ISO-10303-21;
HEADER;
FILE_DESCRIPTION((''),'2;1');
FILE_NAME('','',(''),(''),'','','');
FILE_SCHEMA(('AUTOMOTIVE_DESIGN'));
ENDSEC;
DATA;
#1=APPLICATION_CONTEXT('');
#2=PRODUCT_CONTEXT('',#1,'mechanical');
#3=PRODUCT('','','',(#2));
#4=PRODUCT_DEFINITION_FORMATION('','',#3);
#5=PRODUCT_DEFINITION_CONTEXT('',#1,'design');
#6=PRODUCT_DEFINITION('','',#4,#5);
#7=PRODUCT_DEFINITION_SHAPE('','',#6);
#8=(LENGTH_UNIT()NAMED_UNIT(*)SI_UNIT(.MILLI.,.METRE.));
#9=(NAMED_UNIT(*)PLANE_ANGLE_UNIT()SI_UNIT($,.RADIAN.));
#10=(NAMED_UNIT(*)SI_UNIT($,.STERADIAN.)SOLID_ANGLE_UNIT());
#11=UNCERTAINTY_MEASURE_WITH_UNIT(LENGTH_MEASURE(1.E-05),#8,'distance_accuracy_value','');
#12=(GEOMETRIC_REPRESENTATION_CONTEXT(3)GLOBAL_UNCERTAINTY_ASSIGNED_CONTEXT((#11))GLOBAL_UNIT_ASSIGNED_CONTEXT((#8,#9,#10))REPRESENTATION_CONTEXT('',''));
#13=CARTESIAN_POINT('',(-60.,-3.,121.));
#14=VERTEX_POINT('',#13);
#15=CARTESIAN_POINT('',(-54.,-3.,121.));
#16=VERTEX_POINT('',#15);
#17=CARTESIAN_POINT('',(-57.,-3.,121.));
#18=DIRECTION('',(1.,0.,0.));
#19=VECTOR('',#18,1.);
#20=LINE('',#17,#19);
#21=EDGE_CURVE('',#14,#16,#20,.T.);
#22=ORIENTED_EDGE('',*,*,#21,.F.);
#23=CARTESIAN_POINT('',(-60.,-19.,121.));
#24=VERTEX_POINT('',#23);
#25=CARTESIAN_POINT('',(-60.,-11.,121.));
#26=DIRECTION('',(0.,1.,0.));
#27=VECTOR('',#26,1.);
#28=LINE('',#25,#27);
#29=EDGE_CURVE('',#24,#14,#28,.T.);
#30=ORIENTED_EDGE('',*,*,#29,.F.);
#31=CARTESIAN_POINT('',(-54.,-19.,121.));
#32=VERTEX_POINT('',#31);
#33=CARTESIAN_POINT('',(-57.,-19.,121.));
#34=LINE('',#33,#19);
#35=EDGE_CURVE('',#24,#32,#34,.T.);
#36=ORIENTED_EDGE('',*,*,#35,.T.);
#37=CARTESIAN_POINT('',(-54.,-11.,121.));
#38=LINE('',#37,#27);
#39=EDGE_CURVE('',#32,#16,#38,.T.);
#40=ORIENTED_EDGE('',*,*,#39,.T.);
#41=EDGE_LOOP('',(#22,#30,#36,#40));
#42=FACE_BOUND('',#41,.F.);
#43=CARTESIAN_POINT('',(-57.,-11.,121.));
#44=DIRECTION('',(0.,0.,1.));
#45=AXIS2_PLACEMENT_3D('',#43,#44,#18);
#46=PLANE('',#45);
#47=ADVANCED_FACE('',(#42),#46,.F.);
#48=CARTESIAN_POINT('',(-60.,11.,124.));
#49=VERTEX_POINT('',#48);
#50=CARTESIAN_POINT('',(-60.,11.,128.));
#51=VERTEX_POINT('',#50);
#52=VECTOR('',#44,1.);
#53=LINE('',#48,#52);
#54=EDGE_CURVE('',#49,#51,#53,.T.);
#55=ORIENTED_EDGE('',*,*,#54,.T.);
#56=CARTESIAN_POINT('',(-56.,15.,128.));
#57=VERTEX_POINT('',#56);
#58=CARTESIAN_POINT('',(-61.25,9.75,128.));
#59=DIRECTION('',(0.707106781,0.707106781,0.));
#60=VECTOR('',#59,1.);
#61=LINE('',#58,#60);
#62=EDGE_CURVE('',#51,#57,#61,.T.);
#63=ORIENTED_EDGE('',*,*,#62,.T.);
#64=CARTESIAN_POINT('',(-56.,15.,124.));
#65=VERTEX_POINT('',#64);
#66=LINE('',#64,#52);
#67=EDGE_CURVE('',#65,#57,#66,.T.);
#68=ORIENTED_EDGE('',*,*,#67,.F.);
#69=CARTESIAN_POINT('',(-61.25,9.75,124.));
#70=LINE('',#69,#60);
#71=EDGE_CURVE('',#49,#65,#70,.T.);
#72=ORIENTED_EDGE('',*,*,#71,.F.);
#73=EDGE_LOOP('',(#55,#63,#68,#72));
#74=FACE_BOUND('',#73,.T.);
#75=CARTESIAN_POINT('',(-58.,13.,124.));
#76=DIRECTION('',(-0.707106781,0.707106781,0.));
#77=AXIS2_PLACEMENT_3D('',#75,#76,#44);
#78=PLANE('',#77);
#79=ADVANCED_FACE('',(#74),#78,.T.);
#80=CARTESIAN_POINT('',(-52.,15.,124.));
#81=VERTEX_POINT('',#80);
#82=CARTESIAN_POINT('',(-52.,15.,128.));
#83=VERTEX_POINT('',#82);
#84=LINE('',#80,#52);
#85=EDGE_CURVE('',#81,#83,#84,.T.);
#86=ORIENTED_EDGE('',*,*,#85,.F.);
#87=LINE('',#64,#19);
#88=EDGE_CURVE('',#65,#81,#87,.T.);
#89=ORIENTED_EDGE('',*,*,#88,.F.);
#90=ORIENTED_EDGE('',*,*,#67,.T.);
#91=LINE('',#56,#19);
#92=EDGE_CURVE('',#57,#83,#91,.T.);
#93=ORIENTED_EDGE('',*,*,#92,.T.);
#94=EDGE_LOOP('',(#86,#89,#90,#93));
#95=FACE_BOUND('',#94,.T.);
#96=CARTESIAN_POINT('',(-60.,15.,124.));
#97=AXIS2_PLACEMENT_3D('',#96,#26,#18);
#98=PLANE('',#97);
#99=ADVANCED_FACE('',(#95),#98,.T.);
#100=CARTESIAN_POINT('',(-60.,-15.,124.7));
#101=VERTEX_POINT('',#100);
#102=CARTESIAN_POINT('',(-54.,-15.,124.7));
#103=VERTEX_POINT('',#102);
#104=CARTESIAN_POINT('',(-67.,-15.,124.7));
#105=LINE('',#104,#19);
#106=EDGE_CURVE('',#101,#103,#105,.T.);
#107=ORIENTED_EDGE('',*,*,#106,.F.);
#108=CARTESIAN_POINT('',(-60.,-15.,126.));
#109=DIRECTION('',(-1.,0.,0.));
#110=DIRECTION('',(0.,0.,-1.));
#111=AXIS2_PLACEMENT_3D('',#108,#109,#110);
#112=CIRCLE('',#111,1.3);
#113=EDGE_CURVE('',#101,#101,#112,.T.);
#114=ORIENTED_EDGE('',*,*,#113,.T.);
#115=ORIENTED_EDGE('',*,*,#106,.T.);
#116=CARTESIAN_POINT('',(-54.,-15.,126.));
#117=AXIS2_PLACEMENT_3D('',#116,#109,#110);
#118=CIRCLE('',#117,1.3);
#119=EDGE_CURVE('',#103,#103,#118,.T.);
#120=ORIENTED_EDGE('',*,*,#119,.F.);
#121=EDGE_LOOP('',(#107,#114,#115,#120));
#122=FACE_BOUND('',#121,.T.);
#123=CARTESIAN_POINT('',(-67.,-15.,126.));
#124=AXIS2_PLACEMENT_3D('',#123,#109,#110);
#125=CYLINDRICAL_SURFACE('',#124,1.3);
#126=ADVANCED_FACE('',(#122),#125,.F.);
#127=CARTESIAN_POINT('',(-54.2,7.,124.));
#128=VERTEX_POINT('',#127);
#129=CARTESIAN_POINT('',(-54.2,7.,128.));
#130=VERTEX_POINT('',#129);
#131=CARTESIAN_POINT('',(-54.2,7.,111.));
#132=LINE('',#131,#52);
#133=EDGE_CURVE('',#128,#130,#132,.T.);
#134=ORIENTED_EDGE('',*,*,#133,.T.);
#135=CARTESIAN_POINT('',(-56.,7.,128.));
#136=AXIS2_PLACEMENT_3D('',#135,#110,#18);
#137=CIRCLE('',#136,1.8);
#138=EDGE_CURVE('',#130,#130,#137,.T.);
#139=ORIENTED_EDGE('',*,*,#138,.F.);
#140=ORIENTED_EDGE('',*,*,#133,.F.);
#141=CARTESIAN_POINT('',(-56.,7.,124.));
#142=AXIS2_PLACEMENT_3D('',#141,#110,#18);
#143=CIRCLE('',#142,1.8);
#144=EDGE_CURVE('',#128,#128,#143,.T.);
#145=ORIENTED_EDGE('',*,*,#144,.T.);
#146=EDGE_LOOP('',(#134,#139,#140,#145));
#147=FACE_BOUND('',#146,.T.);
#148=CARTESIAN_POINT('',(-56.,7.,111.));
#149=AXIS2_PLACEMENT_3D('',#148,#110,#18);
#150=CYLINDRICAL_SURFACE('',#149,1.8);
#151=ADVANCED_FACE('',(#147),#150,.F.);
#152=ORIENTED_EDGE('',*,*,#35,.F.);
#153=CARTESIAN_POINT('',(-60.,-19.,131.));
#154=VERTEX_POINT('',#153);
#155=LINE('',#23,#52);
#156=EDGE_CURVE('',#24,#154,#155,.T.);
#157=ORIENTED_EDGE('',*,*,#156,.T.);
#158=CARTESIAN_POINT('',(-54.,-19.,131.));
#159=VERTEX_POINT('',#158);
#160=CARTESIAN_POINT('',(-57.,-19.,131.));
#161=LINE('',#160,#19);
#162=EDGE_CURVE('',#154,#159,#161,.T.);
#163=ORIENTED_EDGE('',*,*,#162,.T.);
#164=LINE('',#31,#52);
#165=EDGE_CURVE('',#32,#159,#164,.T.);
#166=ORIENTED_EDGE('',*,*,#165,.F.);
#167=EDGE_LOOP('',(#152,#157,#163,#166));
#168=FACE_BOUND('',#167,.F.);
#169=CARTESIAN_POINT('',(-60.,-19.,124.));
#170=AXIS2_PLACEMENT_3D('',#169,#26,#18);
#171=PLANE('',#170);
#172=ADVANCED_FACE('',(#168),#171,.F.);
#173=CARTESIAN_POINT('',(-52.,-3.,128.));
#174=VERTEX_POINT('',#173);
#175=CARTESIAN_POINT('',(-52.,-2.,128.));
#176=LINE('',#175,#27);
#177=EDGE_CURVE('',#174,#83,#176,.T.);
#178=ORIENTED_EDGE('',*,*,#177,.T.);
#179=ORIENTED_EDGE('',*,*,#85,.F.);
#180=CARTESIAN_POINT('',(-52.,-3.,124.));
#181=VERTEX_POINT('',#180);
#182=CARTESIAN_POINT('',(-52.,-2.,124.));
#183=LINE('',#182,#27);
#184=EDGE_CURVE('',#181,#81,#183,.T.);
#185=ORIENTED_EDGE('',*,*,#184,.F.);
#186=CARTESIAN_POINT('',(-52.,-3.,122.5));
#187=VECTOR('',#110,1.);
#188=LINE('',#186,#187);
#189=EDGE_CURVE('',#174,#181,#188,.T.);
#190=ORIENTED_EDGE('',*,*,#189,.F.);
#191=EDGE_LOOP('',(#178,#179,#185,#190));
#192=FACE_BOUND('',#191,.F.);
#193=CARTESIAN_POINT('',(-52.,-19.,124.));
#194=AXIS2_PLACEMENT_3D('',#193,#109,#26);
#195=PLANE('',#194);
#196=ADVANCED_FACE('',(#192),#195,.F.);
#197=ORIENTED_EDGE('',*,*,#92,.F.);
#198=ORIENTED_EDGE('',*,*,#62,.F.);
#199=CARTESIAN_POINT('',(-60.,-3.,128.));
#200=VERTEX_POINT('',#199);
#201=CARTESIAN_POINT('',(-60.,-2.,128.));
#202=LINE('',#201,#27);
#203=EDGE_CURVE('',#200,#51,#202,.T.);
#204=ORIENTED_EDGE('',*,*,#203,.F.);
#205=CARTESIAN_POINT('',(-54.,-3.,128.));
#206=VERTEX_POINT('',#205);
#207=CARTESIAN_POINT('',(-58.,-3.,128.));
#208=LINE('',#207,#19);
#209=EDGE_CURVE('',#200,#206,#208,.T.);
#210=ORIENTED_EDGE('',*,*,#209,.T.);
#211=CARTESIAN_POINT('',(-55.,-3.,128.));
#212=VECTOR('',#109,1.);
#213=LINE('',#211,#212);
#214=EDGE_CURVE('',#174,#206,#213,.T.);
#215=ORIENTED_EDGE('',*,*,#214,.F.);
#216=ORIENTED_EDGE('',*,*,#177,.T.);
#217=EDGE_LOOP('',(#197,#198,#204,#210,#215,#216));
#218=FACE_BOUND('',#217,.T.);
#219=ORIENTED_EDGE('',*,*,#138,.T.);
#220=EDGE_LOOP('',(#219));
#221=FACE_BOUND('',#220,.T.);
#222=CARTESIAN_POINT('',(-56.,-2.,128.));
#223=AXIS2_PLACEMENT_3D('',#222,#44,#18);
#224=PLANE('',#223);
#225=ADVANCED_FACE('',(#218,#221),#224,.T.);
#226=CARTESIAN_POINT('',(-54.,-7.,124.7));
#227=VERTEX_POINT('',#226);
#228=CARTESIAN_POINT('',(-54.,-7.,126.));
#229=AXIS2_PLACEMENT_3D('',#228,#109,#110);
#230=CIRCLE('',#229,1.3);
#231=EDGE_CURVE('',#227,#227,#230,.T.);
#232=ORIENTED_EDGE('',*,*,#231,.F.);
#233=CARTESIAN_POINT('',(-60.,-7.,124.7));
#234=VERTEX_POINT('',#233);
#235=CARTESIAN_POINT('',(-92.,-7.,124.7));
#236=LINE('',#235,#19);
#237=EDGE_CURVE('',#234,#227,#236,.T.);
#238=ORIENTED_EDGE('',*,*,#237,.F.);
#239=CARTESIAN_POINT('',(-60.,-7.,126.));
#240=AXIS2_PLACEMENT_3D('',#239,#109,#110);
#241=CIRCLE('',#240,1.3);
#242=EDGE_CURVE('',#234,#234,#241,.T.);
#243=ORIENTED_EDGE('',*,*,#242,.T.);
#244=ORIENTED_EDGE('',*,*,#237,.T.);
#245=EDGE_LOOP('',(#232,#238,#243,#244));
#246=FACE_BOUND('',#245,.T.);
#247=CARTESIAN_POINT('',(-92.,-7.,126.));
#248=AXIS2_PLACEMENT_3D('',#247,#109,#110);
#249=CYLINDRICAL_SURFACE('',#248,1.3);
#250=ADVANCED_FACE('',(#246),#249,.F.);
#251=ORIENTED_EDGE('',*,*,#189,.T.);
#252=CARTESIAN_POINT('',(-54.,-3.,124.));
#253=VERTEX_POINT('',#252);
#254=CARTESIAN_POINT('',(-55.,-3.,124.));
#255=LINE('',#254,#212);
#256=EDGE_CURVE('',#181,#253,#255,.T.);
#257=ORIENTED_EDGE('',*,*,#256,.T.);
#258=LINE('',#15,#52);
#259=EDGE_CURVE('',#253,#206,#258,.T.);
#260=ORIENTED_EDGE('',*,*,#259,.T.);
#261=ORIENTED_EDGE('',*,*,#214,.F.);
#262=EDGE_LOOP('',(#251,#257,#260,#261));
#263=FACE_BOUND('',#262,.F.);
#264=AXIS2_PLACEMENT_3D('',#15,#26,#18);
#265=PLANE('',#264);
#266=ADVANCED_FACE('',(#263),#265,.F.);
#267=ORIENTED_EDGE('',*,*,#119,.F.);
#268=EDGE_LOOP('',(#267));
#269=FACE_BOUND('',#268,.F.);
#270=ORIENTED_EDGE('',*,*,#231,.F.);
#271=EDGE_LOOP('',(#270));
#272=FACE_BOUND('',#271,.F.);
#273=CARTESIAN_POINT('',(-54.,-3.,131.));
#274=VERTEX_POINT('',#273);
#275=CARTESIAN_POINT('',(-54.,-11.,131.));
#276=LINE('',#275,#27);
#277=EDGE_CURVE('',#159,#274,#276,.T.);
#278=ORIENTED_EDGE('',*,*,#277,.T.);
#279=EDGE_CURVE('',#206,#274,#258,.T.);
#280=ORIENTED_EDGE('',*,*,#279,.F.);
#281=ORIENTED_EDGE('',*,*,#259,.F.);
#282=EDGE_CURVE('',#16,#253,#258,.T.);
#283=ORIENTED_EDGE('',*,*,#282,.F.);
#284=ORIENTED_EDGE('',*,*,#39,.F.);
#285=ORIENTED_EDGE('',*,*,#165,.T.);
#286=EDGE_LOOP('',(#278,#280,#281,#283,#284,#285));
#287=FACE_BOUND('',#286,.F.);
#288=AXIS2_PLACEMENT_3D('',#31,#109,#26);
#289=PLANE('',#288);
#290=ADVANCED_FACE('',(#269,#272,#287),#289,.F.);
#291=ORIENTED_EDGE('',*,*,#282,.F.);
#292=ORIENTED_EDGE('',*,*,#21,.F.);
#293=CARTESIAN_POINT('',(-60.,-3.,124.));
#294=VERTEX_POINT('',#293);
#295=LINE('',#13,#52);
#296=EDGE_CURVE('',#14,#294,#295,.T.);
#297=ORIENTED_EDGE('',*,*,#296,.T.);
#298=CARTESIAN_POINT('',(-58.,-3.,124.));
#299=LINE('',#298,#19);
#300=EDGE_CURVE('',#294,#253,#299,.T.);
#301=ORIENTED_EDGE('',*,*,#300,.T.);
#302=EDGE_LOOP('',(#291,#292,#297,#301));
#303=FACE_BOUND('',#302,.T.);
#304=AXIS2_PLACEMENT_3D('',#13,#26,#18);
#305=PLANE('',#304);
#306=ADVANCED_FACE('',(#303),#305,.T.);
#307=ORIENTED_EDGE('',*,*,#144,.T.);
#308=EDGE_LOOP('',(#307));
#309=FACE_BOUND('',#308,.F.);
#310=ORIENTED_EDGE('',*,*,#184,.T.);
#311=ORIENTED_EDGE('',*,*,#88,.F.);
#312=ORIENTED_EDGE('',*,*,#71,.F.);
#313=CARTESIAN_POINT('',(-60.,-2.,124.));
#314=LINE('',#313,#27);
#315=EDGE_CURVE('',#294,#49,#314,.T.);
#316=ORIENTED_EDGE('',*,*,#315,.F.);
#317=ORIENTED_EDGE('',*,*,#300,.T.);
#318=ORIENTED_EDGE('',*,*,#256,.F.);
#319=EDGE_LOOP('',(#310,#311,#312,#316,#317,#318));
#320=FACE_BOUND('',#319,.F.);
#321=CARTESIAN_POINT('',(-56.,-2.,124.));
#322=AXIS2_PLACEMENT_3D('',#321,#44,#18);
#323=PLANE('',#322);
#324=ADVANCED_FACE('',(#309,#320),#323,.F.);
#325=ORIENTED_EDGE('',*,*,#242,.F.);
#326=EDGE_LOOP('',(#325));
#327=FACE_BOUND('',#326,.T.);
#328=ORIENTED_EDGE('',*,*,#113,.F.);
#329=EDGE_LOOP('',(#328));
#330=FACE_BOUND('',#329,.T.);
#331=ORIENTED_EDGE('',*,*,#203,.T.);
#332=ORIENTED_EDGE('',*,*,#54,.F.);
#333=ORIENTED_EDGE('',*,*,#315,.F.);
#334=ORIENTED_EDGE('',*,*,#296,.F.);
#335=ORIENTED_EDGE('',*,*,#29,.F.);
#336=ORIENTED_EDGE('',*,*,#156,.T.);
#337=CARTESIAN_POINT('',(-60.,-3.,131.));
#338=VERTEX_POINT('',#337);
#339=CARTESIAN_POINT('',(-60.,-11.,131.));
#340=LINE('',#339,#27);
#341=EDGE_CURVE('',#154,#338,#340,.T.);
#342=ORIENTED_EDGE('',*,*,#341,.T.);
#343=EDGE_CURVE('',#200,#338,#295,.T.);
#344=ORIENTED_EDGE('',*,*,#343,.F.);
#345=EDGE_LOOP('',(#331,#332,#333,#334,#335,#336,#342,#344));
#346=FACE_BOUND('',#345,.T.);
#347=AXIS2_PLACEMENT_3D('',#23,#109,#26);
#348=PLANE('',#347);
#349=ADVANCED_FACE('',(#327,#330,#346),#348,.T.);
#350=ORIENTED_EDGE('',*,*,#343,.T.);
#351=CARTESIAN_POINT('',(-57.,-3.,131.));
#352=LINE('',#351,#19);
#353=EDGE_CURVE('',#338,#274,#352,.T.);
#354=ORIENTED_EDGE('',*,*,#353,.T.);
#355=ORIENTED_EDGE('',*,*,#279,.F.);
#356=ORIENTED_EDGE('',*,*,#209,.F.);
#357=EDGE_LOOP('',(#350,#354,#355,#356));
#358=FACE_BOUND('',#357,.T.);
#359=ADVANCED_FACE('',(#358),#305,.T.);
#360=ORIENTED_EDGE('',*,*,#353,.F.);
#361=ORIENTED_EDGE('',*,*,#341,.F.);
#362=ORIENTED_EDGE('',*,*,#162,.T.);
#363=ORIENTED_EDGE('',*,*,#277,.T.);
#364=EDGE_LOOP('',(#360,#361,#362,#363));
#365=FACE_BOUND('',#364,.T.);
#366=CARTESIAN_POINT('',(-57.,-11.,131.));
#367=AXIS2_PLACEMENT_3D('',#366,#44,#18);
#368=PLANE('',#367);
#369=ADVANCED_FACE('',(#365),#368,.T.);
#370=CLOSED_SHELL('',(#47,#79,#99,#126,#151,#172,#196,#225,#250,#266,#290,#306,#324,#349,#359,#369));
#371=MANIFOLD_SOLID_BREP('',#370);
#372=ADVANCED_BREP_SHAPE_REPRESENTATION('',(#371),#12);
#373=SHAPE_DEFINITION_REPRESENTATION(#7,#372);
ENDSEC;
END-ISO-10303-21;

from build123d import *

# Parameters (mm, degrees)
CYLINDER084_R           = 1.3
CYLINDER084_DEPTH       = 40
CYLINDER084_PITCH_ANGLE = 90
CYLINDER083_R           = 1.3
CYLINDER083_DEPTH       = 40
CYLINDER083_PITCH_ANGLE = 90
CYLINDER082_R           = 1.3
CYLINDER082_DEPTH       = 40
CYLINDER082_PITCH_ANGLE = 90
CYLINDER060_R           = 1.8
CYLINDER060_DEPTH       = 40
BOX027_W                = 4
BOX027_H                = 16
BOX027_DEPTH            = 10
BOX024_W                = 8
BOX024_H                = 34
BOX024_DEPTH            = 4
BOX026_W                = 6
BOX026_H                = 16
BOX026_DEPTH            = 10
CHAMFER009_SIZE         = 4


with BuildPart() as cylinder362:
    # Cylinder084 → Cylinder084 (new body)
    with BuildSketch(Plane.XY):
        Circle(CYLINDER084_R)
    extrude(amount=CYLINDER084_DEPTH)


with BuildPart() as cylinder362_1:
    # Cylinder084 pitch: moved
    add(cylinder362.part.rotate(Axis((0, 0, 0), (0, 1, 0)), CYLINDER084_PITCH_ANGLE))


with BuildPart() as cylinder362_2:
    # Cylinder084 placement: moved
    add(cylinder362_1.part.moved(Location((-48, 7, 30))))


with BuildPart() as cylinder361:
    # Cylinder083 → Cylinder083 (new body)
    with BuildSketch(Plane.XY):
        Circle(CYLINDER083_R)
    extrude(amount=CYLINDER083_DEPTH)


with BuildPart() as cylinder361_1:
    # Cylinder083 pitch: moved
    add(cylinder361.part.rotate(Axis((0, 0, 0), (0, 1, 0)), CYLINDER083_PITCH_ANGLE))


with BuildPart() as cylinder361_2:
    # Cylinder083 placement: moved
    add(cylinder361_1.part.moved(Location((-67, -15, 30))))


with BuildPart() as hinge_screw_holes_b002:
    # Cylinder082 → Cylinder082 (new body)
    with BuildSketch(Plane.XY):
        Circle(CYLINDER082_R)
    extrude(amount=CYLINDER082_DEPTH)


with BuildPart() as hinge_screw_holes_b002_1:
    # Cylinder082 pitch: moved
    add(hinge_screw_holes_b002.part.rotate(Axis((0, 0, 0), (0, 1, 0)), CYLINDER082_PITCH_ANGLE))


with BuildPart() as hinge_screw_holes_b002_2:
    # Cylinder082 placement: moved
    add(hinge_screw_holes_b002_1.part.moved(Location((-92, -7, 30))))

    # Fusion055: union Cylinder361
    add(cylinder361_2.part)

    # Fusion056: union Cylinder362
    add(cylinder362_2.part)


with BuildPart() as hinge_screw_holes_b002_3:
    # Fusion056 placement: moved
    add(hinge_screw_holes_b002_2.part.moved(Location((0, 0, 96))))


with BuildPart() as cylinder338:
    # Cylinder060 → Cylinder060 (new body)
    with BuildSketch(Plane(origin=(-56, 7, 15), x_dir=(1, 0, 0), z_dir=(0, 0, 1))):
        Circle(CYLINDER060_R)
    extrude(amount=CYLINDER060_DEPTH)


with BuildPart() as cube015:
    # Box027 → Box027 (new body)
    with BuildSketch(Plane(origin=(-54, -19, 25), x_dir=(1, 0, 0), z_dir=(0, 0, 1))):
        with Locations((2, 8)):
            Rectangle(BOX027_W, BOX027_H)
    extrude(amount=BOX027_DEPTH)


with BuildPart() as cut033:
    # Box024 → Box024 (new body)
    with BuildSketch(Plane(origin=(-60, -19, 28), x_dir=(1, 0, 0), z_dir=(0, 0, 1))):
        with Locations((4, 17)):
            Rectangle(BOX024_W, BOX024_H)
    extrude(amount=BOX024_DEPTH)

    # Cut033: cut Cube015
    add(cube015.part, mode=Mode.SUBTRACT)


with BuildPart() as switch_rocker_g:
    # Box026 → Box026 (new body)
    with BuildSketch(Plane(origin=(-60, -19, 25), x_dir=(1, 0, 0), z_dir=(0, 0, 1))):
        with Locations((3, 8)):
            Rectangle(BOX026_W, BOX026_H)
    extrude(amount=BOX026_DEPTH)

    # Fusion039: union Cut033
    add(cut033.part)

    # Cut035: cut Cylinder338
    add(cylinder338.part, mode=Mode.SUBTRACT)


with BuildPart() as switch_rocker_g_1:
    # Cut035 placement: moved
    add(switch_rocker_g.part.moved(Location((0, 0, 96))))

    # Cut048: cut hinge-screw-holes-b002
    add(hinge_screw_holes_b002_3.part, mode=Mode.SUBTRACT)

    # Chamfer009
    chamfer009_edges = [switch_rocker_g_1.edges().sort_by_distance(p)[0] for p in [
        (-60, 15, 126),
    ]]
    chamfer(chamfer009_edges, length=CHAMFER009_SIZE)


solid = switch_rocker_g_1.part
